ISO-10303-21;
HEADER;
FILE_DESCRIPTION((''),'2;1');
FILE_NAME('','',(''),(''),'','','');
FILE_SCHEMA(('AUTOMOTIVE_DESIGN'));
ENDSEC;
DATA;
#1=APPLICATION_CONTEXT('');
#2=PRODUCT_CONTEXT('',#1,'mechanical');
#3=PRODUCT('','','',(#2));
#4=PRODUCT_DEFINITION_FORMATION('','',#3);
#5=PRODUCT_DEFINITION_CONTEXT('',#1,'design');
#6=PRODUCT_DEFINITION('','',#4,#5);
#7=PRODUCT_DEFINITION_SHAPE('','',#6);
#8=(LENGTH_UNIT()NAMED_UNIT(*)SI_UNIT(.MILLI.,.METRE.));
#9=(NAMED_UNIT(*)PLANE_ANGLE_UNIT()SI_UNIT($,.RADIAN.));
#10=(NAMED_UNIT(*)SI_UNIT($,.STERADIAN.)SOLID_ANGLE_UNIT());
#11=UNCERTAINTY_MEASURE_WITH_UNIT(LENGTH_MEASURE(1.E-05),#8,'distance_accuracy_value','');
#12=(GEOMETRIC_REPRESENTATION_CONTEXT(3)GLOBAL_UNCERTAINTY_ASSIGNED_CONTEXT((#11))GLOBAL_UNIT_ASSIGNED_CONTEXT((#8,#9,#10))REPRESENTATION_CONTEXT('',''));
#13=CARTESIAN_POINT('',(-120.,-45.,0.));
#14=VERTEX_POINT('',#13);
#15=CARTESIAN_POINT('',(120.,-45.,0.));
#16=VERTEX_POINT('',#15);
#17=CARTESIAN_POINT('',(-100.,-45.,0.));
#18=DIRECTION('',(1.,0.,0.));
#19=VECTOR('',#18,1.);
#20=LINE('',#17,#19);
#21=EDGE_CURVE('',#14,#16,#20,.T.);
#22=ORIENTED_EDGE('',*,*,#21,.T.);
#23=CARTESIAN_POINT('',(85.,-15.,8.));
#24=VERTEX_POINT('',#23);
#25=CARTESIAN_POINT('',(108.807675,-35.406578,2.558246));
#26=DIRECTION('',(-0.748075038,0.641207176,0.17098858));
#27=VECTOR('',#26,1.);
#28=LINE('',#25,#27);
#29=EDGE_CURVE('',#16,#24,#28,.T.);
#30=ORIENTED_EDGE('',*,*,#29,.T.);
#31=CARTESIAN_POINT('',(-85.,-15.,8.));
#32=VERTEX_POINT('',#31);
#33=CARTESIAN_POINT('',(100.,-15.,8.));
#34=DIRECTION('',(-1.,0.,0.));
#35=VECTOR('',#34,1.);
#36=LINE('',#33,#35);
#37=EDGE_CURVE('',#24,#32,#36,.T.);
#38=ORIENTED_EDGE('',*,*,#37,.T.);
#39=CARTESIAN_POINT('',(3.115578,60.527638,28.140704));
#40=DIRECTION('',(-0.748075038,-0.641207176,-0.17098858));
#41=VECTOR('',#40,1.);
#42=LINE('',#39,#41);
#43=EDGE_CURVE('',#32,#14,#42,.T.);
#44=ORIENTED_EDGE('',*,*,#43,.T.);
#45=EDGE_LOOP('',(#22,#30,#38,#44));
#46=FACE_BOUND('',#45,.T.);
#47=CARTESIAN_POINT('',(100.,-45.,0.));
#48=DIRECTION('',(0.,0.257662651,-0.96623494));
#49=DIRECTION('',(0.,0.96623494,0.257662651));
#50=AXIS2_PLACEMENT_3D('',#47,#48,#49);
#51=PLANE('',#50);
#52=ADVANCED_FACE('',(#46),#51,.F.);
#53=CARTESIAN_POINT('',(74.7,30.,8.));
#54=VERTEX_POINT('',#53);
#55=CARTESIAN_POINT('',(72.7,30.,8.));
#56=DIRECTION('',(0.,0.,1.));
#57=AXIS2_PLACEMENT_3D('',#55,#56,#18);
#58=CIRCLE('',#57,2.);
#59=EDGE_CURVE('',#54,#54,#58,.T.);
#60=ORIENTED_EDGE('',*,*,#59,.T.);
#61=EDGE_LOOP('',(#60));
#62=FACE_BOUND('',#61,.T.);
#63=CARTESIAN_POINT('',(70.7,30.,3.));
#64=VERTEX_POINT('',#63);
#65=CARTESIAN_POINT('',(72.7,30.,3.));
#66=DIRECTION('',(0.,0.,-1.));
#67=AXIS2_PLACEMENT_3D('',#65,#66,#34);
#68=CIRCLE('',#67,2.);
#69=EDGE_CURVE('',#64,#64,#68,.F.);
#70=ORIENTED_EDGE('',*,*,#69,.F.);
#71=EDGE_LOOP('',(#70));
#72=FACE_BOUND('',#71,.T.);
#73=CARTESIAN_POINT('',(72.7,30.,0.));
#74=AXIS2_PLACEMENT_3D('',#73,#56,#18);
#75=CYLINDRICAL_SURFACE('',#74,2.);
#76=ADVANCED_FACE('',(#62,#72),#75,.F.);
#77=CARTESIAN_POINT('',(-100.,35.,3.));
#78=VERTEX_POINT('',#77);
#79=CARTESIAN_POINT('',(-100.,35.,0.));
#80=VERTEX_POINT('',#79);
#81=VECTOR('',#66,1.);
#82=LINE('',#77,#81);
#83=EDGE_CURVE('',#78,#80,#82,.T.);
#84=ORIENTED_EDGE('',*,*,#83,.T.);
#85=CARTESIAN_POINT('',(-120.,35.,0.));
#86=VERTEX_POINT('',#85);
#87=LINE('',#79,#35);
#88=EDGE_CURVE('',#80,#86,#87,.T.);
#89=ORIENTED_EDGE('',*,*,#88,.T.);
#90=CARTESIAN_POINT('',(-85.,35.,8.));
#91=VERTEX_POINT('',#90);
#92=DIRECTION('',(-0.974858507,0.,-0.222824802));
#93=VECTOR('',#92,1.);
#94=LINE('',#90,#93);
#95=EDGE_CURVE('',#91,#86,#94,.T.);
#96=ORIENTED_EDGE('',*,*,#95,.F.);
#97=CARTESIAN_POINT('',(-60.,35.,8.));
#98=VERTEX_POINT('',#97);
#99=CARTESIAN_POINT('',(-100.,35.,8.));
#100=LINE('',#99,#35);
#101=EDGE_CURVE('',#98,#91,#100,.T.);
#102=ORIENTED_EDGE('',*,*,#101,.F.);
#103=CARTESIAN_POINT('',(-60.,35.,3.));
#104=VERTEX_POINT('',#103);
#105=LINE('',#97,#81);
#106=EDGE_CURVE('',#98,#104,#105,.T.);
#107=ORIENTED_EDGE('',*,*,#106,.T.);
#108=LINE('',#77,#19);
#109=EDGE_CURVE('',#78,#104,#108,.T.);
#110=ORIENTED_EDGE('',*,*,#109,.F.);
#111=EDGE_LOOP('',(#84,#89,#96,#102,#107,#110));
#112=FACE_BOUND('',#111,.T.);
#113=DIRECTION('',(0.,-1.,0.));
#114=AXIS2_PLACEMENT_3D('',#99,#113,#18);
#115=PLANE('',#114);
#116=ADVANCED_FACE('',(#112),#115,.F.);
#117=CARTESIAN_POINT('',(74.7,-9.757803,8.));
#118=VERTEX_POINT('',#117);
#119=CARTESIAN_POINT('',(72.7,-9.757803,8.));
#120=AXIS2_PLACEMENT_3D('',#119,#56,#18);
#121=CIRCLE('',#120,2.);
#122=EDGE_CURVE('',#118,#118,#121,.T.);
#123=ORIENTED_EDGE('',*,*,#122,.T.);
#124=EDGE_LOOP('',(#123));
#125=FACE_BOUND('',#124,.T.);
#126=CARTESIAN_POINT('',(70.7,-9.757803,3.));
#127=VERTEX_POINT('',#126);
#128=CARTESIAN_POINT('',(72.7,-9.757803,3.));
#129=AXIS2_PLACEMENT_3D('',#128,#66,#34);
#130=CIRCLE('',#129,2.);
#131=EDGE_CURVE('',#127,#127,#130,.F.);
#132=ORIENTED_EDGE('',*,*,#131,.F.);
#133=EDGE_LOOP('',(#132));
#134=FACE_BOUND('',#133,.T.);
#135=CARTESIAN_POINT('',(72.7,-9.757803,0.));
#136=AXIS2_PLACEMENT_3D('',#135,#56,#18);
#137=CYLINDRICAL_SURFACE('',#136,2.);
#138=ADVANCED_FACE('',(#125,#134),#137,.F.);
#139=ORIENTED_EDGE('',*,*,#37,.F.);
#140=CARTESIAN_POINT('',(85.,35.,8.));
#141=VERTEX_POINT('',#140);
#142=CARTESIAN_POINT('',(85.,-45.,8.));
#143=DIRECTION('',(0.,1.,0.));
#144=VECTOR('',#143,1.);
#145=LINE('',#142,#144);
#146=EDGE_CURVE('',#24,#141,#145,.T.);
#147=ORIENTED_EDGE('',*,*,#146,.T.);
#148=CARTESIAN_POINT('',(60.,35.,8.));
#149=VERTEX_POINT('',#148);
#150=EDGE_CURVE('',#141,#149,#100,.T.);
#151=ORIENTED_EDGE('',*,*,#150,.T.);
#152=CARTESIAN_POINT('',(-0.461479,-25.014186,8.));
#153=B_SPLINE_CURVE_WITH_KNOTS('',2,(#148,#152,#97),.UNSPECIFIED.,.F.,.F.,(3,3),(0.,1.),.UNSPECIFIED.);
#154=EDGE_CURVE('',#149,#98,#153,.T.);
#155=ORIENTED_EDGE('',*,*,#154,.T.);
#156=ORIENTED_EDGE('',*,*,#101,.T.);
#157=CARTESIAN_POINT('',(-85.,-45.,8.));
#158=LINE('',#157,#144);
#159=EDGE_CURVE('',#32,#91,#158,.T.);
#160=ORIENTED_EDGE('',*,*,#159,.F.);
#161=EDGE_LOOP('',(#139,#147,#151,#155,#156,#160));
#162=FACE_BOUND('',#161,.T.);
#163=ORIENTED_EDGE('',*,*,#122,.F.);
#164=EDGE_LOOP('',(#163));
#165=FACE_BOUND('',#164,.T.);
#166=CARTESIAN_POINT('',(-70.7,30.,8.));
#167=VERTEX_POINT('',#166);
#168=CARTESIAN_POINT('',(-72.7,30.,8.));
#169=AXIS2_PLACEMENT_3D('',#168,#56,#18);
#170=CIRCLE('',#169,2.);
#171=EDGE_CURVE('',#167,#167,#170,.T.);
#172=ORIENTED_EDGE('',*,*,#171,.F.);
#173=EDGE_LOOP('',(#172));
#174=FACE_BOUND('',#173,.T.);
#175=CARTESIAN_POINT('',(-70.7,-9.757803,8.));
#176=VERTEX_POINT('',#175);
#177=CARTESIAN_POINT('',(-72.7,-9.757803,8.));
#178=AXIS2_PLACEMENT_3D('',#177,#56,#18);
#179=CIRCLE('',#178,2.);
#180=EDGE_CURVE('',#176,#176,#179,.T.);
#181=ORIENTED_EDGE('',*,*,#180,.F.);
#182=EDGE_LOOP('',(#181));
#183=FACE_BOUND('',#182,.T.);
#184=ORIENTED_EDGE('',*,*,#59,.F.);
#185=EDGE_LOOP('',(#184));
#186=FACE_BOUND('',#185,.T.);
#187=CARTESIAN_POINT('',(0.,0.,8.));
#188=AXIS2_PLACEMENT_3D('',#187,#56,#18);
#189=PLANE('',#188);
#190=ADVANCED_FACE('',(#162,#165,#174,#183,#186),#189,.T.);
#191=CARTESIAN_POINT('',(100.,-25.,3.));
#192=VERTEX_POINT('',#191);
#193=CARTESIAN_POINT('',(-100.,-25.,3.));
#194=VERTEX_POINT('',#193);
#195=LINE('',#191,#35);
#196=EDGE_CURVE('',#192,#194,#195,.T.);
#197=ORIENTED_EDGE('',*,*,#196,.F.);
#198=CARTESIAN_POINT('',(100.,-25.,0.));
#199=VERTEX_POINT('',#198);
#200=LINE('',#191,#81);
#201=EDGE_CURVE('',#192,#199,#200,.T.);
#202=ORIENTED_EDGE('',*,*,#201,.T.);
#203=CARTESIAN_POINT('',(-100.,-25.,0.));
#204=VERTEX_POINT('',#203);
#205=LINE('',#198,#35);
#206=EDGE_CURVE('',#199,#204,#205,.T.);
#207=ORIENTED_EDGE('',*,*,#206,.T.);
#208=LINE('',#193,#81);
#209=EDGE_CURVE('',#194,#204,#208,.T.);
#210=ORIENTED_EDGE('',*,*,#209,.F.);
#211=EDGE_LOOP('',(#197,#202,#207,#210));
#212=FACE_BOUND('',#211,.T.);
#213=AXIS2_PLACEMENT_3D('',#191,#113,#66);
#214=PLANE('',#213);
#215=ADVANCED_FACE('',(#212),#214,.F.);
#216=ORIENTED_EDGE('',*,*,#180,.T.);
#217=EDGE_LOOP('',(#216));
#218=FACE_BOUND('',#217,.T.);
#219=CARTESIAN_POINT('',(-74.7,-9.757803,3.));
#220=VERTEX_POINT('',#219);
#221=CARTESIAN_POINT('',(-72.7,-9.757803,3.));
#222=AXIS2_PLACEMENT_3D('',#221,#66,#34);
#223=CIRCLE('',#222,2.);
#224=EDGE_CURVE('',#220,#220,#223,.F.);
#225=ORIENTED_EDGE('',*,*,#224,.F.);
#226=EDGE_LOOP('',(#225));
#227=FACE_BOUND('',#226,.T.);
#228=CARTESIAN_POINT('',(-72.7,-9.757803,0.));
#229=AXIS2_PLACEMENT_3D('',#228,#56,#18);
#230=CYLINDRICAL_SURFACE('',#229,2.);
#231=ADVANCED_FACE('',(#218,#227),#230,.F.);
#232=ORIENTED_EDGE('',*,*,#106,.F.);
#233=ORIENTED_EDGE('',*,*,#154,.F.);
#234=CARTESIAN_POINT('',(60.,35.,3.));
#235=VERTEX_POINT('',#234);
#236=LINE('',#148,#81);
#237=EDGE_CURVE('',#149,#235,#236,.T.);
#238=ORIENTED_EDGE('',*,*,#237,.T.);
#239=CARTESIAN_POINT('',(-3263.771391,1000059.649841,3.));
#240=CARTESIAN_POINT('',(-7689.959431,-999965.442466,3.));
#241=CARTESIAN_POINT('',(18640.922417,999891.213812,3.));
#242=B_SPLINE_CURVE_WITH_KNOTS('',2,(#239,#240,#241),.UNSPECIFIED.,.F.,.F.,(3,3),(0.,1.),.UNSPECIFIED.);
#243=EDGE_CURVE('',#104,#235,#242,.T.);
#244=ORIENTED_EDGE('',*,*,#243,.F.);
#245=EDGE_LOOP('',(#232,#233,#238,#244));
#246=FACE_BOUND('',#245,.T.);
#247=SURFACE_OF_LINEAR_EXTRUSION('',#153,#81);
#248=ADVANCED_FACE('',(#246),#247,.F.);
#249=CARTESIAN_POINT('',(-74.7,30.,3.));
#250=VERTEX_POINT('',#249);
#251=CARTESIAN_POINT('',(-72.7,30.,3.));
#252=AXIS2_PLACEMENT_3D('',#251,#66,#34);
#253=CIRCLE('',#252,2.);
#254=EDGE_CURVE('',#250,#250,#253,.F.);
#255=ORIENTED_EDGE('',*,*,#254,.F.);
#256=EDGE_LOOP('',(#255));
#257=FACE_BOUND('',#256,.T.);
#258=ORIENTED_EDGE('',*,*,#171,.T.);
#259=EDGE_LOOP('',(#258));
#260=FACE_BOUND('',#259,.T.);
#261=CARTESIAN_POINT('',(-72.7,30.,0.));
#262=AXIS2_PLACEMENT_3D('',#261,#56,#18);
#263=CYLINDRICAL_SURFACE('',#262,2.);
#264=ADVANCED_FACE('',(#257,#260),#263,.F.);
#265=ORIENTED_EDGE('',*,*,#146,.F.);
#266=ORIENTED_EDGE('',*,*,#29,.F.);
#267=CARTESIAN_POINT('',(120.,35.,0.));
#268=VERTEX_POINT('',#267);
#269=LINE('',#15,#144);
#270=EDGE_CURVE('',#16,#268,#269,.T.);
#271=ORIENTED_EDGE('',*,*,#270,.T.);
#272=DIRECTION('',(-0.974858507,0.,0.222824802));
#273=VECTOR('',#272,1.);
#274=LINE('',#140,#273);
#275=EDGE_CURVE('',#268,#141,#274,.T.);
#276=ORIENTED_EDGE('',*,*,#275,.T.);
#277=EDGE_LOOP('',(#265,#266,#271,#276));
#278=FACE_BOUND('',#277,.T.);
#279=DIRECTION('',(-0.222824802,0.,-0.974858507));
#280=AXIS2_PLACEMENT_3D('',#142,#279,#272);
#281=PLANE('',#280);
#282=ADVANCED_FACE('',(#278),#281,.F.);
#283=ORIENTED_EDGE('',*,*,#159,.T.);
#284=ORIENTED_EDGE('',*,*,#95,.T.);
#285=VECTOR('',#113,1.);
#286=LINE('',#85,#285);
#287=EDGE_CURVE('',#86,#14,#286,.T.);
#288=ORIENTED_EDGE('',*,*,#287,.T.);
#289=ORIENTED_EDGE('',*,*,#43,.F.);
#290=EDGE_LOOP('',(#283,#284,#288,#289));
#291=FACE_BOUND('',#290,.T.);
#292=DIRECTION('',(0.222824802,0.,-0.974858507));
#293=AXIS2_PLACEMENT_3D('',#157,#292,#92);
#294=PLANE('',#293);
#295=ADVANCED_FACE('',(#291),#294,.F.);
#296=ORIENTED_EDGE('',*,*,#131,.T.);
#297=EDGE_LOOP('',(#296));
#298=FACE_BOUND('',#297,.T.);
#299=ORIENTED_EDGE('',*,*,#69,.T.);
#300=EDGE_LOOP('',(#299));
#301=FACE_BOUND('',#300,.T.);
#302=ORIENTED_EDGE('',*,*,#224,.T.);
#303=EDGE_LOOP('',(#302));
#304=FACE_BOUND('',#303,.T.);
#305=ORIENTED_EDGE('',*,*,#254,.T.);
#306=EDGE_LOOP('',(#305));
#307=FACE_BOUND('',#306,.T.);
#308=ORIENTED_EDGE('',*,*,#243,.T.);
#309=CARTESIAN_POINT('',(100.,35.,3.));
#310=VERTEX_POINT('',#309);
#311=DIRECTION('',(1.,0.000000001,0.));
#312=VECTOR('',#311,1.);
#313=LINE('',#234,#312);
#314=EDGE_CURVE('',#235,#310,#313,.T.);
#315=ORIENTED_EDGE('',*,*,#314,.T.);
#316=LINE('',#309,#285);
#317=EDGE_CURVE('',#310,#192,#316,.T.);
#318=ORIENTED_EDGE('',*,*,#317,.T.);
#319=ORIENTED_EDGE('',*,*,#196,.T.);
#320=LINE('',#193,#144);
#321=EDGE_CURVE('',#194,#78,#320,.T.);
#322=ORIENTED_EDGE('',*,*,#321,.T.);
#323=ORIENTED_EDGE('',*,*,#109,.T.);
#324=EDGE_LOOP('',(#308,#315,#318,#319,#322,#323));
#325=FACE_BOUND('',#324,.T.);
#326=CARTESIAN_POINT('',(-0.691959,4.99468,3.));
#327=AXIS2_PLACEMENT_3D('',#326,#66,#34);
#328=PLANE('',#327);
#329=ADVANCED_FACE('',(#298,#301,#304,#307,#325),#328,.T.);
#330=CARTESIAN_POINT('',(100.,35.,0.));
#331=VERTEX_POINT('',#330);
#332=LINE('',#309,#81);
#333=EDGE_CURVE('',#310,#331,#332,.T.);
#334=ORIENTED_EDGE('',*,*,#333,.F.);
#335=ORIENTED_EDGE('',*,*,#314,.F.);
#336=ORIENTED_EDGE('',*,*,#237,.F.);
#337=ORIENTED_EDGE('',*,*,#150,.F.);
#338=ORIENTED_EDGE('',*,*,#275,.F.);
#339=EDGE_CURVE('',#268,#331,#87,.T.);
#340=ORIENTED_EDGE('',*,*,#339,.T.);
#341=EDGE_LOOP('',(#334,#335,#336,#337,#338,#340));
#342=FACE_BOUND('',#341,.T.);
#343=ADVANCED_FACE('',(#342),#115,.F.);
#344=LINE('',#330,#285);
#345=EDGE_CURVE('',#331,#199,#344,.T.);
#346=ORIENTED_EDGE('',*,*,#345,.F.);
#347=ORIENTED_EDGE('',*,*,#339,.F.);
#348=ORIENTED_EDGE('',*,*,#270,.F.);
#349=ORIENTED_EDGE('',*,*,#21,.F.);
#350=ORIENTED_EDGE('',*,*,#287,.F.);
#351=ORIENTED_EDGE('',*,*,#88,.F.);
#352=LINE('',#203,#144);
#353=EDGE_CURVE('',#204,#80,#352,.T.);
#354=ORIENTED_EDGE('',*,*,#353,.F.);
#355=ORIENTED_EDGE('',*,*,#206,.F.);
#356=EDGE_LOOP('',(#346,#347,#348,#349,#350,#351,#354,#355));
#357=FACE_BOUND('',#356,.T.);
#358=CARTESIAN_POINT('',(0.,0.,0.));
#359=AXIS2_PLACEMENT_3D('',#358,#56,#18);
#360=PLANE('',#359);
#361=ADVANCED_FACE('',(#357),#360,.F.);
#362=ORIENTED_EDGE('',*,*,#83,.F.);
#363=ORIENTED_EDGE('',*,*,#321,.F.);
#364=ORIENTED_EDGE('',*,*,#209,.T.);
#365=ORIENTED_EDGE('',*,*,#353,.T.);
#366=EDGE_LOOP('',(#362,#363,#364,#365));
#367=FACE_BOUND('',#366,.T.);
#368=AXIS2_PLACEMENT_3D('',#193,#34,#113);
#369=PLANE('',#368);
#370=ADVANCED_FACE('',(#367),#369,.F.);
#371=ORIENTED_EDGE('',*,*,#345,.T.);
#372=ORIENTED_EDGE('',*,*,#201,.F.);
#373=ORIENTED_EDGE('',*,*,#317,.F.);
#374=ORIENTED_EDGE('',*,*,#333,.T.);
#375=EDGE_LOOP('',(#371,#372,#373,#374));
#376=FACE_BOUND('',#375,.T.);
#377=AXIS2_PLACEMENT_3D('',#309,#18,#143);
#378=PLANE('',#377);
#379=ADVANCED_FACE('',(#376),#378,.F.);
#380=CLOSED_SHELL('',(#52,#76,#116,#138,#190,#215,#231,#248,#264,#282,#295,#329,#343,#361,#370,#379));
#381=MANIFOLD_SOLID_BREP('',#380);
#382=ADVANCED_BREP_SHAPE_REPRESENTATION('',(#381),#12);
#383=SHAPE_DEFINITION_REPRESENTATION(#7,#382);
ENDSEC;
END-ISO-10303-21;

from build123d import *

# Parameters (mm, degrees)
SKETCH_1_W           = 200
SKETCH_1_H           = 90
EXTRUDE_1_DEPTH      = 8
CUT_EXTRUDE_2_DEPTH  = 206.156038176
SKETCH_7_W           = 200
SKETCH_7_H           = 10
CUT_EXTRUDE_6_DEPTH  = 110.949988631
CUT_EXTRUDE_7_DEPTH  = 110.949988631
EXTRUDE_2_DEPTH      = 20
EXTRUDE_3_DEPTH      = 20
CUT_EXTRUDE_8_DEPTH  = 145.443760826
SKETCH_12_R          = 2
CUT_EXTRUDE_9_DEPTH  = 129.409501341
CUT_EXTRUDE_10_DEPTH = 3


with BuildPart() as part:
    # 草图1 → 凸台-拉伸1 (new body)
    with BuildSketch(Plane.XY):
        Rectangle(SKETCH_1_W, SKETCH_1_H)
    extrude(amount=EXTRUDE_1_DEPTH)

    # 草图3 → 切除-拉伸2 (cut, through all)
    with BuildSketch(Plane.ZY.offset(100)):
        Polygon((0, -45), (8, -15), (8, -45), align=None)
    extrude(amount=-CUT_EXTRUDE_2_DEPTH, mode=Mode.SUBTRACT)

    # 草图7 → 切除-拉伸6 (cut, through all)
    with BuildSketch(Plane(origin=(0, 0, 0), x_dir=(-1, 0, 0), z_dir=(0, 0, -1))):
        with Locations((0, 40)):
            Rectangle(SKETCH_7_W, SKETCH_7_H)
    extrude(amount=-CUT_EXTRUDE_6_DEPTH, mode=Mode.SUBTRACT)

    # 草图8 → 切除-拉伸7 (cut, through all)
    with BuildSketch(Plane(origin=(0, 0, 0), x_dir=(-1, 0, 0), z_dir=(0, 0, -1))):
        with BuildLine():
            Line((60, 35), (-60, 35))
            add(Edge.make_bspline(
                [(60, 35), (0.461478769, -25.014185767), (-60, 35)],
                knots=[0, 0, 0, 1, 1, 1], degree=2))
        make_face()
    extrude(amount=-CUT_EXTRUDE_7_DEPTH, mode=Mode.SUBTRACT)

    # 草图9 → 凸台-拉伸2 (add)
    with BuildSketch(Plane.ZY.offset(100)):
        Polygon((8, -15), (8, 35), (0, 35), (0, -45), align=None)
    extrude(amount=EXTRUDE_2_DEPTH)

    # 草图10 → 凸台-拉伸3 (add)
    with BuildSketch(Plane(origin=(100, 0, 0), x_dir=(0, 0, -1), z_dir=(1, 0, 0))):
        Polygon((0, -45), (0, 35), (-8, 35), (-8, -15), align=None)
    extrude(amount=EXTRUDE_3_DEPTH)

    # 草图11 → 切除-拉伸8 (cut, through all)
    with BuildSketch(Plane(origin=(0, 35, 0), x_dir=(1, 0, 0), z_dir=(0, 1, 0))):
        Polygon((120, 0), (120, -8), (85, -8), align=None)
        Polygon((-120, 0), (-120, -8), (-85, -8), align=None)
    extrude(amount=-CUT_EXTRUDE_8_DEPTH, mode=Mode.SUBTRACT)

    # 草图12 → 切除-拉伸9 (cut, through all)
    with BuildSketch(Plane.XY.offset(8)):
        with Locations((72.7, -9.757802573)):
            Circle(SKETCH_12_R)
        with Locations((-72.7, -9.757802573)):
            Circle(SKETCH_12_R)
        with Locations((72.7, 30)):
            Circle(SKETCH_12_R)
        with Locations((-72.7, 30)):
            Circle(SKETCH_12_R)
    extrude(amount=-CUT_EXTRUDE_9_DEPTH, mode=Mode.SUBTRACT)

    # 草图13 → 切除-拉伸10 (cut)
    with BuildSketch(Plane(origin=(0, 0, 0), x_dir=(-1, 0, 0), z_dir=(0, 0, -1))):
        with BuildLine():
            Line((-59.999999976, 34.999999976), (-100, 35))
            Line((-100, 35), (-100, -25))
            Line((-100, -25), (100, -25))
            Line((100, -25), (100, 35))
            Line((100, 35), (60, 35))
            add(Edge.make_bspline(
                [(60, 35), (0.461478781, -25.014185755), (-59.999999976, 34.999999976)],
                knots=[0, 0, 0, 1, 1, 1], degree=2))
        make_face()
    extrude(amount=-CUT_EXTRUDE_10_DEPTH, mode=Mode.SUBTRACT)


solid = part.part
